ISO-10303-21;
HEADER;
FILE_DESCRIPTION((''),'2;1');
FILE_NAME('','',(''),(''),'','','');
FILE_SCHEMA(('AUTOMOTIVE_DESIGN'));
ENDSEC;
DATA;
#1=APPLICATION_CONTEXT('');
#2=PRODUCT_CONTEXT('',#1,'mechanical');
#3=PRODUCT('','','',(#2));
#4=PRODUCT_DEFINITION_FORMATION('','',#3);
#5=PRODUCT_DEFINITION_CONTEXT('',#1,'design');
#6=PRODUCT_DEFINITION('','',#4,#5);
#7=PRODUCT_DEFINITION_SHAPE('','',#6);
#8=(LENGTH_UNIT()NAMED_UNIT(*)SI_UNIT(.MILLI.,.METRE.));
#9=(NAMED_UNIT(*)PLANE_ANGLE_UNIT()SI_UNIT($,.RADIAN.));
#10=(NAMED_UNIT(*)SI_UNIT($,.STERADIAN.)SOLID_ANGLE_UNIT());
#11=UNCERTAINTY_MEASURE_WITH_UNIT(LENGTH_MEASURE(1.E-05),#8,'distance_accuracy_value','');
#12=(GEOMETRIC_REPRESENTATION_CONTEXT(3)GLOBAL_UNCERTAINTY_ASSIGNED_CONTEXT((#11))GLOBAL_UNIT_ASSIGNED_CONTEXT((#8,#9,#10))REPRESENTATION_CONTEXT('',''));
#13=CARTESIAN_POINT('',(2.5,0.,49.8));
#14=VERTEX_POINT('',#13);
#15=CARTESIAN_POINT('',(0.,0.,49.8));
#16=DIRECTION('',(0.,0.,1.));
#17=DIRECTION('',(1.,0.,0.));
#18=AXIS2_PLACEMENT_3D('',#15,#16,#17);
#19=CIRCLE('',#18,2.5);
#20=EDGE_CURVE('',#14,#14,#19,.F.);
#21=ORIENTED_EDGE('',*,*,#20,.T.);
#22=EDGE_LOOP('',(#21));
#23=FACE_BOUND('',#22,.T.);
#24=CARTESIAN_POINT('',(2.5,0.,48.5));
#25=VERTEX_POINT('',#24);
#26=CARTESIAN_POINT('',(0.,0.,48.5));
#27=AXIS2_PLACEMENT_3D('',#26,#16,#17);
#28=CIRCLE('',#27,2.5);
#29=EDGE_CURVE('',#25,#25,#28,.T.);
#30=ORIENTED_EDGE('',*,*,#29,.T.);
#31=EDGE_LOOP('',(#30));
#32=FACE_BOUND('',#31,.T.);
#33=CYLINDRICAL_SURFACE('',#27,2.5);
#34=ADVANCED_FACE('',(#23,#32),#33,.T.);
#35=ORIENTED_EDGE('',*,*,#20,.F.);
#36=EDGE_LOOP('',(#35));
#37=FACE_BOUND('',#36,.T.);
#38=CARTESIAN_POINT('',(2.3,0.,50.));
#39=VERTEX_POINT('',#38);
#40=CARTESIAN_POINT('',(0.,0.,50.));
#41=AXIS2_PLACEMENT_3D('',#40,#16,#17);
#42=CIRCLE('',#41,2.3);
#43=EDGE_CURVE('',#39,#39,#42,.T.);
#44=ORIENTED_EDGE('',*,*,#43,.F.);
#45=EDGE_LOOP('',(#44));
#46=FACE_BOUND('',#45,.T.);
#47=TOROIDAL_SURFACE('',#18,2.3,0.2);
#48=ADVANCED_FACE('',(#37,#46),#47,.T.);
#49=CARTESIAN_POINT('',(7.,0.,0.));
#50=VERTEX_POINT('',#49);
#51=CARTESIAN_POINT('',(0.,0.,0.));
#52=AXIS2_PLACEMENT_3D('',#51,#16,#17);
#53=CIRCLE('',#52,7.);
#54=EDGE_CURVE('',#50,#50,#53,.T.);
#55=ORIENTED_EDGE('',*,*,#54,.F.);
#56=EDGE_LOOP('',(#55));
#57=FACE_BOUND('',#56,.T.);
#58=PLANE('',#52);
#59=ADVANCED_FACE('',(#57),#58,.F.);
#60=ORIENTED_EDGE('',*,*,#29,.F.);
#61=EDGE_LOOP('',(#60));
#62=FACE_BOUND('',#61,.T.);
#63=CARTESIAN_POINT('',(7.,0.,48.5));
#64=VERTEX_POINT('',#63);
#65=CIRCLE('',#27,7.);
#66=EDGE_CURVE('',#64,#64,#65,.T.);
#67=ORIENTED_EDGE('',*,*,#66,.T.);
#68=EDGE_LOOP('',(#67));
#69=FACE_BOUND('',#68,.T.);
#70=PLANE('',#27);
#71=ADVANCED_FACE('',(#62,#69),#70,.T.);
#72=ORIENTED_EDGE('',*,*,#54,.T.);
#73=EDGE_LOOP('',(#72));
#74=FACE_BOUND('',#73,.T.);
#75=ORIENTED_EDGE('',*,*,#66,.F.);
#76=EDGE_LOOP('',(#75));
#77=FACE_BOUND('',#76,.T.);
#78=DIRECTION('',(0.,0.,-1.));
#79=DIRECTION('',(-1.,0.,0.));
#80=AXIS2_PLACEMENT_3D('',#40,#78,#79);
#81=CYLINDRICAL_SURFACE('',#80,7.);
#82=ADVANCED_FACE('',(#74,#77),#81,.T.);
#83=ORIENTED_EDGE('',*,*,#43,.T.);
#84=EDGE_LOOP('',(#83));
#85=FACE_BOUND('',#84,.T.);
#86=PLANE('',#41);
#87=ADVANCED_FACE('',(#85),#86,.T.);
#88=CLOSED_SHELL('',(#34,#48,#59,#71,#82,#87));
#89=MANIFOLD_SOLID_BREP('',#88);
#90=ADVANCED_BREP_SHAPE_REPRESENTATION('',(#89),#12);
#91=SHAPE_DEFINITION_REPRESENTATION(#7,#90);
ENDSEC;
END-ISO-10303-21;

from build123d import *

# Parameters (mm, degrees)
SKETCH1_R           = 7
BOSS_EXTRUDE1_DEPTH = 50
CUT_EXTRUDE1_START  = -1.5
SKETCH2_R           = 7
SKETCH2_R_2         = 2.5
CUT_EXTRUDE1_DEPTH  = 1.5
FILLET1_R           = 0.2


with BuildPart() as part:
    # Sketch1 → Boss-Extrude1 (new body)
    with BuildSketch(Plane.XY):
        Circle(SKETCH1_R)
    extrude(amount=BOSS_EXTRUDE1_DEPTH)

    # Sketch2 → Cut-Extrude1 (cut)
    with BuildSketch(Plane.XY.offset(50).offset(CUT_EXTRUDE1_START)):
        Circle(SKETCH2_R)
        Circle(SKETCH2_R_2, mode=Mode.SUBTRACT)
    extrude(amount=CUT_EXTRUDE1_DEPTH, mode=Mode.SUBTRACT)

    # Fillet1
    fillet1_edges = [part.edges().sort_by_distance(p)[0] for p in [
        (-2.5, 0, 50),
    ]]
    fillet(fillet1_edges, radius=FILLET1_R)


solid = part.part
